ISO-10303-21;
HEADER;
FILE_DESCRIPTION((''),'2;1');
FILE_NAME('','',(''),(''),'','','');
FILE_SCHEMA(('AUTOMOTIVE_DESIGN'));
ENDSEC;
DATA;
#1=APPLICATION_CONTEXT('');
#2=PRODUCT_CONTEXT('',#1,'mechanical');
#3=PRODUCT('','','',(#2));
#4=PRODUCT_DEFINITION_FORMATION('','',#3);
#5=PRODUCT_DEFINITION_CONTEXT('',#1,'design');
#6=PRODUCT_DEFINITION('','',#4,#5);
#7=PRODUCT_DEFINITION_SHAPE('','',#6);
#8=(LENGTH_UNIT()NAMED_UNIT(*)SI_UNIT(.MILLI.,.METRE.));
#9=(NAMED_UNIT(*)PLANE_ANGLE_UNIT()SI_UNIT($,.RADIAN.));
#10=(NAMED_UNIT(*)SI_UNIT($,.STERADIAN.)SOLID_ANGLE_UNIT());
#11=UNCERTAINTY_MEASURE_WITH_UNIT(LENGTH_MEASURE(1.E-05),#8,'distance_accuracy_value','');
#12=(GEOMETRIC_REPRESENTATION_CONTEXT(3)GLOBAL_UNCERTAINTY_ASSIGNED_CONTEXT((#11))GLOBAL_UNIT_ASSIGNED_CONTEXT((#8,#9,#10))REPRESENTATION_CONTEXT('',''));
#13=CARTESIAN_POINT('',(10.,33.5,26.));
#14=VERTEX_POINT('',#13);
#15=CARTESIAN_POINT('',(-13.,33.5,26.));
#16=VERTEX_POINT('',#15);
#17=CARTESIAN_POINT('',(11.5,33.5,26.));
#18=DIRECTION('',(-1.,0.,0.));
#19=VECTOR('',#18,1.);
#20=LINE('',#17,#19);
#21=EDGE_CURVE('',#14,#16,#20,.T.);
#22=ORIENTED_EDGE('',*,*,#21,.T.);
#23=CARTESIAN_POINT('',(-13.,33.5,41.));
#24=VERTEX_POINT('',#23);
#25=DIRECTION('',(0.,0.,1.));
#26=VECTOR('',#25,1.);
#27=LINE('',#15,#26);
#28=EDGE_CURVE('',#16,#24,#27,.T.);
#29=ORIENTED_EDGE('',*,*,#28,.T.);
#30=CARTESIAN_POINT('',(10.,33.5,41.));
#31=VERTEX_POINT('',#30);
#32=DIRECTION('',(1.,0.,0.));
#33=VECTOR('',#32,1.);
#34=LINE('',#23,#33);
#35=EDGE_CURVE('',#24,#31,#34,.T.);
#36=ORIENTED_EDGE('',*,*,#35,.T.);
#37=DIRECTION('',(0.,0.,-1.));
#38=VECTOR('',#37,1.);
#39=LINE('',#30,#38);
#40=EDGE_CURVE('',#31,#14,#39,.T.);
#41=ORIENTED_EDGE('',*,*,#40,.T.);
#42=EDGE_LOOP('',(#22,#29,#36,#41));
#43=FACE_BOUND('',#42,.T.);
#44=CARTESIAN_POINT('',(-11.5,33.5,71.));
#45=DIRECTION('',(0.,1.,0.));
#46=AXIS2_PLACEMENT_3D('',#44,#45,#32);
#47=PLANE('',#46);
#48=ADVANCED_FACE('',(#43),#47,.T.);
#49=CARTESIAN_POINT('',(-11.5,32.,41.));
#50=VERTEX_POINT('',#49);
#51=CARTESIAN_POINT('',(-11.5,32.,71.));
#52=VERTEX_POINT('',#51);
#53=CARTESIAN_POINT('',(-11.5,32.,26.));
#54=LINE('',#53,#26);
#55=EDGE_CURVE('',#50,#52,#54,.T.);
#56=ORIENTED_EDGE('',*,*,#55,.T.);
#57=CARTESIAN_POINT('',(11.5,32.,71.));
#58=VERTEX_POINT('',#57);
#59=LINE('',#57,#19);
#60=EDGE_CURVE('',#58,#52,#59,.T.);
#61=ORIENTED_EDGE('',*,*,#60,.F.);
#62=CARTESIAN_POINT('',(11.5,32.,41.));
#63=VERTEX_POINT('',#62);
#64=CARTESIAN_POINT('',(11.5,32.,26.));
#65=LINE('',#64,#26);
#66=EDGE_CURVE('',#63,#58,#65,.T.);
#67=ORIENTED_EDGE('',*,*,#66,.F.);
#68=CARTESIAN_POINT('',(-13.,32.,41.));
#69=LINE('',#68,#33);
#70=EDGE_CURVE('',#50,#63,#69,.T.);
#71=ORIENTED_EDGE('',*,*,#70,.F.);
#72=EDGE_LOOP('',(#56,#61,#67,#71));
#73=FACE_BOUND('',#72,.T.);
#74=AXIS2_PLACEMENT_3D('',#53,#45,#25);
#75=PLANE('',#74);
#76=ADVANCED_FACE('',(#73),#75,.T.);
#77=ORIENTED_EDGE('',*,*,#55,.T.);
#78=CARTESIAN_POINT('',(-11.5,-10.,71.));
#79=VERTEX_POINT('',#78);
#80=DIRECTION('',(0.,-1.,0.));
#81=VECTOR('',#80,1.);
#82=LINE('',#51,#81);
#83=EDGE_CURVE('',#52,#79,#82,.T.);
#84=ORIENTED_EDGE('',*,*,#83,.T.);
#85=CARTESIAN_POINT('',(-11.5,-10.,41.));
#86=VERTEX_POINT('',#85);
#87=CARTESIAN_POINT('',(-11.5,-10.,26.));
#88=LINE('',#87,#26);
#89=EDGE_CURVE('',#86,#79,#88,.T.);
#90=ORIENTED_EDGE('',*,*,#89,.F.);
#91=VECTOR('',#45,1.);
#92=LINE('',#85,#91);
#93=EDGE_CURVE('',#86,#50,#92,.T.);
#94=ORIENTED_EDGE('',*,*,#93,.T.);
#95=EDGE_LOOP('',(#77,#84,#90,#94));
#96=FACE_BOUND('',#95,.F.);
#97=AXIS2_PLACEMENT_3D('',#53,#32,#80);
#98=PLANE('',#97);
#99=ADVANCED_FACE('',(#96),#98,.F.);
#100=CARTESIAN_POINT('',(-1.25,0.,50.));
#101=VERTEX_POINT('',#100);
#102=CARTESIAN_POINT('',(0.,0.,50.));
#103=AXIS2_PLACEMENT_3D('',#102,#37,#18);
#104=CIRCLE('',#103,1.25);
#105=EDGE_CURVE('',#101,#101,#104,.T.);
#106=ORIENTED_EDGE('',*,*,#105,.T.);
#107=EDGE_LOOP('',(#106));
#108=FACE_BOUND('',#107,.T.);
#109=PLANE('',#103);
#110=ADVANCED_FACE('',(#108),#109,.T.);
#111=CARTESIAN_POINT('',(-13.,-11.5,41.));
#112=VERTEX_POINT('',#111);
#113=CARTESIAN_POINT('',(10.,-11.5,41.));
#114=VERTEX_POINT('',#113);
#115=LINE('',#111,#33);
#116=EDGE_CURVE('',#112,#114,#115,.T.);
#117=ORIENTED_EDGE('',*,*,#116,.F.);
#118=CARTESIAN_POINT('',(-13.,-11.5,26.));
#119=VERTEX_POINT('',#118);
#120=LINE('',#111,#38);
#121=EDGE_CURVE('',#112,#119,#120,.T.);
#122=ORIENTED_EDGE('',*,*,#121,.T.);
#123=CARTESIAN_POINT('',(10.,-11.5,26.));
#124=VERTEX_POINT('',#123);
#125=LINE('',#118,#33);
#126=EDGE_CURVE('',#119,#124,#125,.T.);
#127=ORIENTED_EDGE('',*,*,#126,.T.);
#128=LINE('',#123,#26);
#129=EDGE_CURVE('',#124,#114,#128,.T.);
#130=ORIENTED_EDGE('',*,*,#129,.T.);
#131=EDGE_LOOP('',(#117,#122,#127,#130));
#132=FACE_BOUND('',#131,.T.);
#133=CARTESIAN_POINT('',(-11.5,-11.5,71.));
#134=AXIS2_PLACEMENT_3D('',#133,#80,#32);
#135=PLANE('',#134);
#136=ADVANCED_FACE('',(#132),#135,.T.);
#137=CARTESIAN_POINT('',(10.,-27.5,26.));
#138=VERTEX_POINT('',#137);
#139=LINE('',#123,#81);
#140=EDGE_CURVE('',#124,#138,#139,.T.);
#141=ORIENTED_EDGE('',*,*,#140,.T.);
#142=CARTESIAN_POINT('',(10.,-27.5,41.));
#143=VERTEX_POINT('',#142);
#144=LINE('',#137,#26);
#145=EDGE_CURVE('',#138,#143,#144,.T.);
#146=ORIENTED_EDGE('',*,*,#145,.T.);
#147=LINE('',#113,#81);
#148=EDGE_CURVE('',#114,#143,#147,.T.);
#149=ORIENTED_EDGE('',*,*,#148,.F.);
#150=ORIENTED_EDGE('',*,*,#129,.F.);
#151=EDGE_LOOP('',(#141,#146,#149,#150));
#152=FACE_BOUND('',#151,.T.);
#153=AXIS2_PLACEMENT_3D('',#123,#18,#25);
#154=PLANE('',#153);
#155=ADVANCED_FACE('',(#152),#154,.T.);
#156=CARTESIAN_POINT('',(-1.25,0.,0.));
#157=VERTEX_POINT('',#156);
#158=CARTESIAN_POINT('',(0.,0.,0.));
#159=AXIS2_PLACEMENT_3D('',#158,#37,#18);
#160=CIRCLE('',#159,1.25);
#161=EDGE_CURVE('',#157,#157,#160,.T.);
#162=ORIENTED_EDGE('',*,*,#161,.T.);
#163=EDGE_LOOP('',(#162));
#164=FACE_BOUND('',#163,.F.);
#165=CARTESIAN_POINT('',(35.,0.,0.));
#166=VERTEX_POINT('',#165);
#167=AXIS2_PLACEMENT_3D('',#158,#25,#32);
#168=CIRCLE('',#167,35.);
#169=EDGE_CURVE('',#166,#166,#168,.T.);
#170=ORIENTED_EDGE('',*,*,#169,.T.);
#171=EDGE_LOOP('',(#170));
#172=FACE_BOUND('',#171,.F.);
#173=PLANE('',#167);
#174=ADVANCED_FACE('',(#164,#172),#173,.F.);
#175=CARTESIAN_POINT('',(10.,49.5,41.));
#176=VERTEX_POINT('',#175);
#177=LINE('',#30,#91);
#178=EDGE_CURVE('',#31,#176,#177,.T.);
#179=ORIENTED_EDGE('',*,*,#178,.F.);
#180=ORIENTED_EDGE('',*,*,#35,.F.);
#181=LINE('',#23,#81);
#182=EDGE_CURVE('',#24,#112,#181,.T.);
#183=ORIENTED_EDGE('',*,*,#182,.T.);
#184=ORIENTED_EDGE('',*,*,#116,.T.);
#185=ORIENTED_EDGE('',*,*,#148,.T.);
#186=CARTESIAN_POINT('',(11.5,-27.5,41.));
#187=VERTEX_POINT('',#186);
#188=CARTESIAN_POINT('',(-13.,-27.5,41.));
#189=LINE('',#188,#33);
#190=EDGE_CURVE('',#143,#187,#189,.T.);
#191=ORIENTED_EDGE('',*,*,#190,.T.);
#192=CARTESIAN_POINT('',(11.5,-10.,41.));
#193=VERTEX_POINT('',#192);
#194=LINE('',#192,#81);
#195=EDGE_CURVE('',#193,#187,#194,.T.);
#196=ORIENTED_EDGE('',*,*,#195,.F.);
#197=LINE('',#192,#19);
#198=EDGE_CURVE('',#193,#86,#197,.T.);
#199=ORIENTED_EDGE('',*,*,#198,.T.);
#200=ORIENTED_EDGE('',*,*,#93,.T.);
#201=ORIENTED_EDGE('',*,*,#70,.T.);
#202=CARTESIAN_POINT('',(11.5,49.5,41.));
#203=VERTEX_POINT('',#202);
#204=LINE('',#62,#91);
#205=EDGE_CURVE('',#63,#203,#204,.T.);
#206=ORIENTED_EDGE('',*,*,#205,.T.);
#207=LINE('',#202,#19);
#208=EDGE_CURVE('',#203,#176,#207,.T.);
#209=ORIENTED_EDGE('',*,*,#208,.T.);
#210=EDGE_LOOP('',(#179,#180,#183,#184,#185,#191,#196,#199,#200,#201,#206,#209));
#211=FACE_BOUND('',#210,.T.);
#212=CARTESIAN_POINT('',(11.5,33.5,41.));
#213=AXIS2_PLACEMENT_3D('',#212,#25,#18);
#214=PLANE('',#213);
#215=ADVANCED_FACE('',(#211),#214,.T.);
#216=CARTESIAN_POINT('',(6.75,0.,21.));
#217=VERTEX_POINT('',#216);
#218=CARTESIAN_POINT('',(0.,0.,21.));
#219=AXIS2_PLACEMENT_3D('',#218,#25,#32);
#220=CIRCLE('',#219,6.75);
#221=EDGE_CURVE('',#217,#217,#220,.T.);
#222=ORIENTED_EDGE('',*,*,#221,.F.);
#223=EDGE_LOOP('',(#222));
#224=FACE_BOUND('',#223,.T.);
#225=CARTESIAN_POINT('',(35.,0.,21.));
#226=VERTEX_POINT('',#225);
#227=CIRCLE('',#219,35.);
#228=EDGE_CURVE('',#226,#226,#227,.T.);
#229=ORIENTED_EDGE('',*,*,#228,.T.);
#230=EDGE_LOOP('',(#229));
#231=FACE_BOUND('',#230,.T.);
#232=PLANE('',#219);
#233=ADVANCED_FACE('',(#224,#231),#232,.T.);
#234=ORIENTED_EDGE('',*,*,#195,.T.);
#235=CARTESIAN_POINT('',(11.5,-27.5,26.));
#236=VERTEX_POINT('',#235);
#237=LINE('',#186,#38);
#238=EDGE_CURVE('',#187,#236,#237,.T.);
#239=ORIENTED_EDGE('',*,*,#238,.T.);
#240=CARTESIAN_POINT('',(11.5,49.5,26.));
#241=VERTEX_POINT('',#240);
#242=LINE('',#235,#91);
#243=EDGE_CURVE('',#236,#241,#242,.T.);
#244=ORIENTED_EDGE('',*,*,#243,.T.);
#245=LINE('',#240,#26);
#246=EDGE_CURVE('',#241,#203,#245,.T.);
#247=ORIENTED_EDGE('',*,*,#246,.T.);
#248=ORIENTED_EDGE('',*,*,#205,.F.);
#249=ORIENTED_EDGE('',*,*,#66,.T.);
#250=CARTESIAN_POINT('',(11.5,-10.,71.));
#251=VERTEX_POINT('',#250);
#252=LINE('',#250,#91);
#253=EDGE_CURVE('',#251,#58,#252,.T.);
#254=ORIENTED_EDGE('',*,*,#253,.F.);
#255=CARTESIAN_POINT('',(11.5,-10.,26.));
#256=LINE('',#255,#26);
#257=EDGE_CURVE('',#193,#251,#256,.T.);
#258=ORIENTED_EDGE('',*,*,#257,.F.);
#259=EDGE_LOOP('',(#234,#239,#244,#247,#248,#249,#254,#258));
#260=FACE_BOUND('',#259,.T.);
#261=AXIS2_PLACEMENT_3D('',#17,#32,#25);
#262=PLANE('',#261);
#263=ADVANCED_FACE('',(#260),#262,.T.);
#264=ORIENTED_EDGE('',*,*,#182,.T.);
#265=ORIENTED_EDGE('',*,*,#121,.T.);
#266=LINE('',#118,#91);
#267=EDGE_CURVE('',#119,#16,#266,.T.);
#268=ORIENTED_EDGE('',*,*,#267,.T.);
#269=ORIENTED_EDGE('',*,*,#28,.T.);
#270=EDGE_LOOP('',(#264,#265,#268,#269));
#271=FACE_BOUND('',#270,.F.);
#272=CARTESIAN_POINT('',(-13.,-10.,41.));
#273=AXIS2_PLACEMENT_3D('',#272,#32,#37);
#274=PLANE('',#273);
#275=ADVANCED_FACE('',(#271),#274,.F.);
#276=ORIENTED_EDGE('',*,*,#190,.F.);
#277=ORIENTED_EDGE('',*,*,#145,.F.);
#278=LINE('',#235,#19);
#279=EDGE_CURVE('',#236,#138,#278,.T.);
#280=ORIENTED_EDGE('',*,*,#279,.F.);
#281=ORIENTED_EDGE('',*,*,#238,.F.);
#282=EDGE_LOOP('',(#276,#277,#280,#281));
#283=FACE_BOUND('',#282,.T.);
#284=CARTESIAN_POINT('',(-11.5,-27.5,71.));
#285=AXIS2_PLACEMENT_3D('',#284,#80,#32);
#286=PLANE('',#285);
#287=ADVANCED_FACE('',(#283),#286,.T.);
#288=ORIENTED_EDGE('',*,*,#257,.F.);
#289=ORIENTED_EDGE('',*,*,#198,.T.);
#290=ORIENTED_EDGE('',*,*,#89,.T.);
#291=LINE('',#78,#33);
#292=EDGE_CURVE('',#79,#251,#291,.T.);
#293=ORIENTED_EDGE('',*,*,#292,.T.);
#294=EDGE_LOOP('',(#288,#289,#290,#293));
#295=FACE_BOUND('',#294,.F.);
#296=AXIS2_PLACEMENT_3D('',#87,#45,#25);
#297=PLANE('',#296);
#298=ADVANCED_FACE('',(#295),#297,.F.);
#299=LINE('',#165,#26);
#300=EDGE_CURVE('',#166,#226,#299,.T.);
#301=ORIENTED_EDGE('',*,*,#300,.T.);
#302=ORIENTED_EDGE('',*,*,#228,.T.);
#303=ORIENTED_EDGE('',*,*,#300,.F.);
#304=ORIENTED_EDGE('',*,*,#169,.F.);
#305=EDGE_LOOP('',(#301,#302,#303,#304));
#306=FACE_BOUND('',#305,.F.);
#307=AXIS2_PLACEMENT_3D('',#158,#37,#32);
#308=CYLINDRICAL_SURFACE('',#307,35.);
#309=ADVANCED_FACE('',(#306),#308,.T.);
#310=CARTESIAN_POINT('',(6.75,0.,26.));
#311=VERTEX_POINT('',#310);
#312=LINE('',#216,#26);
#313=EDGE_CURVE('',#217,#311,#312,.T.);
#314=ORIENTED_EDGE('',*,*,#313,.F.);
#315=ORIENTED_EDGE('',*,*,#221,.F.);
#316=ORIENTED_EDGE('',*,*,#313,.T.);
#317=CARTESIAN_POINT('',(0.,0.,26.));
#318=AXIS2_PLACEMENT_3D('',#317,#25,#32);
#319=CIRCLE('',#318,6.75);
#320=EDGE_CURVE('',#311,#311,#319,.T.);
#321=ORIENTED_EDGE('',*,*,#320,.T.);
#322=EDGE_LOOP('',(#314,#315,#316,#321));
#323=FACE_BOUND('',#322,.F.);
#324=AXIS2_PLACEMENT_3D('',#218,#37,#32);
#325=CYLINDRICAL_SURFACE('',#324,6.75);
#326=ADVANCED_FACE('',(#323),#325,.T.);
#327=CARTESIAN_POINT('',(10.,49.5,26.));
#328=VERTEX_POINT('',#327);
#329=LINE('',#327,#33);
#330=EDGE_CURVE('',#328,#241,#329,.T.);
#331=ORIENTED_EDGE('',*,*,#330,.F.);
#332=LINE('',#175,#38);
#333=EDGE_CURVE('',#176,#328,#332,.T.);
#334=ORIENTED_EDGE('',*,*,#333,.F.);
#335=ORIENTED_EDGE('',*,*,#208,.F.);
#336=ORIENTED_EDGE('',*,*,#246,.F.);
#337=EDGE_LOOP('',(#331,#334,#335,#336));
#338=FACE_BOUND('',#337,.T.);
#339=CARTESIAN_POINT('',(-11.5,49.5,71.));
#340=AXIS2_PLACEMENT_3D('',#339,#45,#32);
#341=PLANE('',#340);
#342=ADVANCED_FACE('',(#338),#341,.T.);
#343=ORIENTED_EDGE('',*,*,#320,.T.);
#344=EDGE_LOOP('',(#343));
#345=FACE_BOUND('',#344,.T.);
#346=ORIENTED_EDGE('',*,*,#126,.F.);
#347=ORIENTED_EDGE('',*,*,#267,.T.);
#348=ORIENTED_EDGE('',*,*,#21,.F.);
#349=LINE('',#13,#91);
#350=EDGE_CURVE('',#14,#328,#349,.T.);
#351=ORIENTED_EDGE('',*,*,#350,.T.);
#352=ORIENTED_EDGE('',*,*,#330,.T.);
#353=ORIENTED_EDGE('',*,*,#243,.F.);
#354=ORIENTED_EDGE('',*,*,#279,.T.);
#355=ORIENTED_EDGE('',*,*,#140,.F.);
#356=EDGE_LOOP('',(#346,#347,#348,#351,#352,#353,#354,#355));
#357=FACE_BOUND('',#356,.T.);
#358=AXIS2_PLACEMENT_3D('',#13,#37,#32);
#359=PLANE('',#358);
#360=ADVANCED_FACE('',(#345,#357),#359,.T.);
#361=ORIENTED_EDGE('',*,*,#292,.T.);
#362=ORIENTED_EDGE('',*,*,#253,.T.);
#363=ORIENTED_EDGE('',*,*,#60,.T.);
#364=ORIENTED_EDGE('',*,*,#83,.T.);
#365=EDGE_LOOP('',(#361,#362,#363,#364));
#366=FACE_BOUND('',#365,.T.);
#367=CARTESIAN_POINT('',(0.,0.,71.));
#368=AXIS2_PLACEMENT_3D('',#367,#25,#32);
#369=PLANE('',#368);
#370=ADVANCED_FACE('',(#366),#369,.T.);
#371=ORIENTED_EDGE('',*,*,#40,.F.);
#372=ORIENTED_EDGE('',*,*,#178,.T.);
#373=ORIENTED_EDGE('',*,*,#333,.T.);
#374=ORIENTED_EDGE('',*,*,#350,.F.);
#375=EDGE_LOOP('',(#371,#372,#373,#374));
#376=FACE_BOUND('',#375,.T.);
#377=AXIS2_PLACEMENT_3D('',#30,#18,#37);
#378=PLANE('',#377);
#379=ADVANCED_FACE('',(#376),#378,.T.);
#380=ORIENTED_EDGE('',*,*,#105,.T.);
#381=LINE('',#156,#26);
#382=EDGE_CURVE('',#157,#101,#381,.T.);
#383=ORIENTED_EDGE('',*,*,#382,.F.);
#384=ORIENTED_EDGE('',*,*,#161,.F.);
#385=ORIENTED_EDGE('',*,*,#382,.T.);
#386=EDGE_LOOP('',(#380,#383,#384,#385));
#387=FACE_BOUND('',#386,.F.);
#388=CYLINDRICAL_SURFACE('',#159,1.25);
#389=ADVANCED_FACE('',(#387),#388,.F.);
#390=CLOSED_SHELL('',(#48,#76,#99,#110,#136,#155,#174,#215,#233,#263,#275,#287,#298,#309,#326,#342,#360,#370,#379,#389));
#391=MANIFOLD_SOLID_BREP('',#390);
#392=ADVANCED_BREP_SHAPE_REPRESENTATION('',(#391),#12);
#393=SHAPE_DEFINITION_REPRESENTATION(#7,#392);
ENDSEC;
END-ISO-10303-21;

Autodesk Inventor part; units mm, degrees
ref_plane "YZ Plane" through (0, 0, 0) normal (1, 0, 0) x (0, 1, 0)
ref_plane "XZ Plane" through (0, 0, 0) normal (0, 1, 0) x (-1, 0, 0)
ref_plane "XY Plane" through (0, 0, 0) normal (0, 0, 1) x (1, 0, 0)
sketch "Sketch1" plane through (0, 0, 0) normal (0, 0, 1) x (1, 0, 0)
  circle A0 centre (0, 0) radius 35
  dimension "d0" = 70
extrude "Extrusion1" add sketch "Sketch1" along normal blind 21
sketch "Sketch2" plane through (0, 0, 21) normal (0, 0, 1) x (1, 0, 0)
  circle A0 centre (0, 0) radius 6.75
  dimension "d3" = 13.5
extrude "Extrusion2" add sketch "Sketch2" along normal blind 5
sketch "Sketch3" plane through (0, 0, 26) normal (0, 0, 1) x (1, 0, 0)
  line L0 (-11.5, -10) -> (11.5, -10)
  line L1 (11.5, -10) -> (11.5, 32)
  line L2 (11.5, 32) -> (-11.5, 32)
  line L3 (-11.5, 32) -> (-11.5, -10)
  point P0 (0, 0)
  point P1 (0, -10)
  dimension "d6" = 42
  dimension "d7" = 23
  dimension "d8" = 10
extrude "Extrusion3" add sketch "Sketch3" along normal blind 45
sketch "Sketch4" plane through (-11.5, -10, 26) normal (-1, 0, 0) x (0, 0, 1)
  line L0 (0, 0) -> (0, 42) projected
  line L1 (0, 42) -> (45, 42) projected
  line L2 (0, 0) -> (15, 0)
  line L3 (15, 0) -> (15, 42)
  line L4 (15, 42) -> (0, 42)
  line L5 (0, 42) -> (0, 0)
  point P0 (-26, 10)
  dimension "d11" = 15
extrude "Extrusion4" add sketch "Sketch4" along normal blind 1.5
sketch "Sketch5" plane through (-11.5, 32, 71) normal (0, 1, 0) x (1, 0, 0)
  line L0 (-1.5, 45) -> (-1.5, 30) projected
  line L1 (-1.5, 30) -> (23, 30)
  line L2 (23, 30) -> (23, 45)
  line L3 (23, 45) -> (-1.5, 45)
  line L4 (-1.5, 45) -> (-1.5, 30)
  point P0 (11.5, 71)
extrude "Extrusion5" add sketch "Sketch5" along normal blind 1.5
sketch "Sketch6" plane through (-11.5, -10, 71) normal (0, -1, 0) x (1, 0, 0)
  line L0 (23, -30) -> (0, -30) projected
  line L1 (-1.5, -45) -> (23, -45)
  line L2 (23, -45) -> (23, -30)
  line L3 (23, -30) -> (-1.5, -30)
  line L4 (-1.5, -30) -> (-1.5, -45)
  point P0 (11.5, -71)
extrude "Extrusion6" add sketch "Sketch6" along normal blind 1.5
sketch "Sketch7" plane through (-11.5, -11.5, 71) normal (0, -1, 0) x (1, 0, 0)
  line L0 (23, -45) -> (-1.5, -45) projected
  line L1 (-1.5, -30) -> (23, -30) projected
  line L2 (23, -45) -> (21.5, -45)
  line L3 (21.5, -45) -> (21.5, -30)
  line L4 (21.5, -30) -> (23, -30)
  line L5 (23, -30) -> (23, -45)
  point P0 (11.5, -71)
  dimension "d18" = 1.5
extrude "Extrusion7" add sketch "Sketch7" along normal blind 16
sketch "Sketch8" plane through (-11.5, 33.5, 71) normal (0, 1, 0) x (1, 0, 0)
  line L0 (-1.5, 45) -> (21.5, 45) projected
  line L1 (23, 30) -> (21.5, 30)
  line L2 (21.5, 30) -> (21.5, 45)
  line L3 (21.5, 45) -> (23, 45)
  line L4 (23, 45) -> (23, 30)
  point P0 (11.5, 71)
  dimension "d21" = 1.5
extrude "Extrusion8" add sketch "Sketch8" along normal blind 16
sketch "Sketch9" plane through (0, 0, 0) normal (0, 0, -1) x (-1, 0, 0)
  circle A0 centre (0, 0) radius 1.25
  dimension "d24" = 2.5
extrude "Extrusion9" cut sketch "Sketch9" against normal blind 50
properties part number "Rueda Derecha"
